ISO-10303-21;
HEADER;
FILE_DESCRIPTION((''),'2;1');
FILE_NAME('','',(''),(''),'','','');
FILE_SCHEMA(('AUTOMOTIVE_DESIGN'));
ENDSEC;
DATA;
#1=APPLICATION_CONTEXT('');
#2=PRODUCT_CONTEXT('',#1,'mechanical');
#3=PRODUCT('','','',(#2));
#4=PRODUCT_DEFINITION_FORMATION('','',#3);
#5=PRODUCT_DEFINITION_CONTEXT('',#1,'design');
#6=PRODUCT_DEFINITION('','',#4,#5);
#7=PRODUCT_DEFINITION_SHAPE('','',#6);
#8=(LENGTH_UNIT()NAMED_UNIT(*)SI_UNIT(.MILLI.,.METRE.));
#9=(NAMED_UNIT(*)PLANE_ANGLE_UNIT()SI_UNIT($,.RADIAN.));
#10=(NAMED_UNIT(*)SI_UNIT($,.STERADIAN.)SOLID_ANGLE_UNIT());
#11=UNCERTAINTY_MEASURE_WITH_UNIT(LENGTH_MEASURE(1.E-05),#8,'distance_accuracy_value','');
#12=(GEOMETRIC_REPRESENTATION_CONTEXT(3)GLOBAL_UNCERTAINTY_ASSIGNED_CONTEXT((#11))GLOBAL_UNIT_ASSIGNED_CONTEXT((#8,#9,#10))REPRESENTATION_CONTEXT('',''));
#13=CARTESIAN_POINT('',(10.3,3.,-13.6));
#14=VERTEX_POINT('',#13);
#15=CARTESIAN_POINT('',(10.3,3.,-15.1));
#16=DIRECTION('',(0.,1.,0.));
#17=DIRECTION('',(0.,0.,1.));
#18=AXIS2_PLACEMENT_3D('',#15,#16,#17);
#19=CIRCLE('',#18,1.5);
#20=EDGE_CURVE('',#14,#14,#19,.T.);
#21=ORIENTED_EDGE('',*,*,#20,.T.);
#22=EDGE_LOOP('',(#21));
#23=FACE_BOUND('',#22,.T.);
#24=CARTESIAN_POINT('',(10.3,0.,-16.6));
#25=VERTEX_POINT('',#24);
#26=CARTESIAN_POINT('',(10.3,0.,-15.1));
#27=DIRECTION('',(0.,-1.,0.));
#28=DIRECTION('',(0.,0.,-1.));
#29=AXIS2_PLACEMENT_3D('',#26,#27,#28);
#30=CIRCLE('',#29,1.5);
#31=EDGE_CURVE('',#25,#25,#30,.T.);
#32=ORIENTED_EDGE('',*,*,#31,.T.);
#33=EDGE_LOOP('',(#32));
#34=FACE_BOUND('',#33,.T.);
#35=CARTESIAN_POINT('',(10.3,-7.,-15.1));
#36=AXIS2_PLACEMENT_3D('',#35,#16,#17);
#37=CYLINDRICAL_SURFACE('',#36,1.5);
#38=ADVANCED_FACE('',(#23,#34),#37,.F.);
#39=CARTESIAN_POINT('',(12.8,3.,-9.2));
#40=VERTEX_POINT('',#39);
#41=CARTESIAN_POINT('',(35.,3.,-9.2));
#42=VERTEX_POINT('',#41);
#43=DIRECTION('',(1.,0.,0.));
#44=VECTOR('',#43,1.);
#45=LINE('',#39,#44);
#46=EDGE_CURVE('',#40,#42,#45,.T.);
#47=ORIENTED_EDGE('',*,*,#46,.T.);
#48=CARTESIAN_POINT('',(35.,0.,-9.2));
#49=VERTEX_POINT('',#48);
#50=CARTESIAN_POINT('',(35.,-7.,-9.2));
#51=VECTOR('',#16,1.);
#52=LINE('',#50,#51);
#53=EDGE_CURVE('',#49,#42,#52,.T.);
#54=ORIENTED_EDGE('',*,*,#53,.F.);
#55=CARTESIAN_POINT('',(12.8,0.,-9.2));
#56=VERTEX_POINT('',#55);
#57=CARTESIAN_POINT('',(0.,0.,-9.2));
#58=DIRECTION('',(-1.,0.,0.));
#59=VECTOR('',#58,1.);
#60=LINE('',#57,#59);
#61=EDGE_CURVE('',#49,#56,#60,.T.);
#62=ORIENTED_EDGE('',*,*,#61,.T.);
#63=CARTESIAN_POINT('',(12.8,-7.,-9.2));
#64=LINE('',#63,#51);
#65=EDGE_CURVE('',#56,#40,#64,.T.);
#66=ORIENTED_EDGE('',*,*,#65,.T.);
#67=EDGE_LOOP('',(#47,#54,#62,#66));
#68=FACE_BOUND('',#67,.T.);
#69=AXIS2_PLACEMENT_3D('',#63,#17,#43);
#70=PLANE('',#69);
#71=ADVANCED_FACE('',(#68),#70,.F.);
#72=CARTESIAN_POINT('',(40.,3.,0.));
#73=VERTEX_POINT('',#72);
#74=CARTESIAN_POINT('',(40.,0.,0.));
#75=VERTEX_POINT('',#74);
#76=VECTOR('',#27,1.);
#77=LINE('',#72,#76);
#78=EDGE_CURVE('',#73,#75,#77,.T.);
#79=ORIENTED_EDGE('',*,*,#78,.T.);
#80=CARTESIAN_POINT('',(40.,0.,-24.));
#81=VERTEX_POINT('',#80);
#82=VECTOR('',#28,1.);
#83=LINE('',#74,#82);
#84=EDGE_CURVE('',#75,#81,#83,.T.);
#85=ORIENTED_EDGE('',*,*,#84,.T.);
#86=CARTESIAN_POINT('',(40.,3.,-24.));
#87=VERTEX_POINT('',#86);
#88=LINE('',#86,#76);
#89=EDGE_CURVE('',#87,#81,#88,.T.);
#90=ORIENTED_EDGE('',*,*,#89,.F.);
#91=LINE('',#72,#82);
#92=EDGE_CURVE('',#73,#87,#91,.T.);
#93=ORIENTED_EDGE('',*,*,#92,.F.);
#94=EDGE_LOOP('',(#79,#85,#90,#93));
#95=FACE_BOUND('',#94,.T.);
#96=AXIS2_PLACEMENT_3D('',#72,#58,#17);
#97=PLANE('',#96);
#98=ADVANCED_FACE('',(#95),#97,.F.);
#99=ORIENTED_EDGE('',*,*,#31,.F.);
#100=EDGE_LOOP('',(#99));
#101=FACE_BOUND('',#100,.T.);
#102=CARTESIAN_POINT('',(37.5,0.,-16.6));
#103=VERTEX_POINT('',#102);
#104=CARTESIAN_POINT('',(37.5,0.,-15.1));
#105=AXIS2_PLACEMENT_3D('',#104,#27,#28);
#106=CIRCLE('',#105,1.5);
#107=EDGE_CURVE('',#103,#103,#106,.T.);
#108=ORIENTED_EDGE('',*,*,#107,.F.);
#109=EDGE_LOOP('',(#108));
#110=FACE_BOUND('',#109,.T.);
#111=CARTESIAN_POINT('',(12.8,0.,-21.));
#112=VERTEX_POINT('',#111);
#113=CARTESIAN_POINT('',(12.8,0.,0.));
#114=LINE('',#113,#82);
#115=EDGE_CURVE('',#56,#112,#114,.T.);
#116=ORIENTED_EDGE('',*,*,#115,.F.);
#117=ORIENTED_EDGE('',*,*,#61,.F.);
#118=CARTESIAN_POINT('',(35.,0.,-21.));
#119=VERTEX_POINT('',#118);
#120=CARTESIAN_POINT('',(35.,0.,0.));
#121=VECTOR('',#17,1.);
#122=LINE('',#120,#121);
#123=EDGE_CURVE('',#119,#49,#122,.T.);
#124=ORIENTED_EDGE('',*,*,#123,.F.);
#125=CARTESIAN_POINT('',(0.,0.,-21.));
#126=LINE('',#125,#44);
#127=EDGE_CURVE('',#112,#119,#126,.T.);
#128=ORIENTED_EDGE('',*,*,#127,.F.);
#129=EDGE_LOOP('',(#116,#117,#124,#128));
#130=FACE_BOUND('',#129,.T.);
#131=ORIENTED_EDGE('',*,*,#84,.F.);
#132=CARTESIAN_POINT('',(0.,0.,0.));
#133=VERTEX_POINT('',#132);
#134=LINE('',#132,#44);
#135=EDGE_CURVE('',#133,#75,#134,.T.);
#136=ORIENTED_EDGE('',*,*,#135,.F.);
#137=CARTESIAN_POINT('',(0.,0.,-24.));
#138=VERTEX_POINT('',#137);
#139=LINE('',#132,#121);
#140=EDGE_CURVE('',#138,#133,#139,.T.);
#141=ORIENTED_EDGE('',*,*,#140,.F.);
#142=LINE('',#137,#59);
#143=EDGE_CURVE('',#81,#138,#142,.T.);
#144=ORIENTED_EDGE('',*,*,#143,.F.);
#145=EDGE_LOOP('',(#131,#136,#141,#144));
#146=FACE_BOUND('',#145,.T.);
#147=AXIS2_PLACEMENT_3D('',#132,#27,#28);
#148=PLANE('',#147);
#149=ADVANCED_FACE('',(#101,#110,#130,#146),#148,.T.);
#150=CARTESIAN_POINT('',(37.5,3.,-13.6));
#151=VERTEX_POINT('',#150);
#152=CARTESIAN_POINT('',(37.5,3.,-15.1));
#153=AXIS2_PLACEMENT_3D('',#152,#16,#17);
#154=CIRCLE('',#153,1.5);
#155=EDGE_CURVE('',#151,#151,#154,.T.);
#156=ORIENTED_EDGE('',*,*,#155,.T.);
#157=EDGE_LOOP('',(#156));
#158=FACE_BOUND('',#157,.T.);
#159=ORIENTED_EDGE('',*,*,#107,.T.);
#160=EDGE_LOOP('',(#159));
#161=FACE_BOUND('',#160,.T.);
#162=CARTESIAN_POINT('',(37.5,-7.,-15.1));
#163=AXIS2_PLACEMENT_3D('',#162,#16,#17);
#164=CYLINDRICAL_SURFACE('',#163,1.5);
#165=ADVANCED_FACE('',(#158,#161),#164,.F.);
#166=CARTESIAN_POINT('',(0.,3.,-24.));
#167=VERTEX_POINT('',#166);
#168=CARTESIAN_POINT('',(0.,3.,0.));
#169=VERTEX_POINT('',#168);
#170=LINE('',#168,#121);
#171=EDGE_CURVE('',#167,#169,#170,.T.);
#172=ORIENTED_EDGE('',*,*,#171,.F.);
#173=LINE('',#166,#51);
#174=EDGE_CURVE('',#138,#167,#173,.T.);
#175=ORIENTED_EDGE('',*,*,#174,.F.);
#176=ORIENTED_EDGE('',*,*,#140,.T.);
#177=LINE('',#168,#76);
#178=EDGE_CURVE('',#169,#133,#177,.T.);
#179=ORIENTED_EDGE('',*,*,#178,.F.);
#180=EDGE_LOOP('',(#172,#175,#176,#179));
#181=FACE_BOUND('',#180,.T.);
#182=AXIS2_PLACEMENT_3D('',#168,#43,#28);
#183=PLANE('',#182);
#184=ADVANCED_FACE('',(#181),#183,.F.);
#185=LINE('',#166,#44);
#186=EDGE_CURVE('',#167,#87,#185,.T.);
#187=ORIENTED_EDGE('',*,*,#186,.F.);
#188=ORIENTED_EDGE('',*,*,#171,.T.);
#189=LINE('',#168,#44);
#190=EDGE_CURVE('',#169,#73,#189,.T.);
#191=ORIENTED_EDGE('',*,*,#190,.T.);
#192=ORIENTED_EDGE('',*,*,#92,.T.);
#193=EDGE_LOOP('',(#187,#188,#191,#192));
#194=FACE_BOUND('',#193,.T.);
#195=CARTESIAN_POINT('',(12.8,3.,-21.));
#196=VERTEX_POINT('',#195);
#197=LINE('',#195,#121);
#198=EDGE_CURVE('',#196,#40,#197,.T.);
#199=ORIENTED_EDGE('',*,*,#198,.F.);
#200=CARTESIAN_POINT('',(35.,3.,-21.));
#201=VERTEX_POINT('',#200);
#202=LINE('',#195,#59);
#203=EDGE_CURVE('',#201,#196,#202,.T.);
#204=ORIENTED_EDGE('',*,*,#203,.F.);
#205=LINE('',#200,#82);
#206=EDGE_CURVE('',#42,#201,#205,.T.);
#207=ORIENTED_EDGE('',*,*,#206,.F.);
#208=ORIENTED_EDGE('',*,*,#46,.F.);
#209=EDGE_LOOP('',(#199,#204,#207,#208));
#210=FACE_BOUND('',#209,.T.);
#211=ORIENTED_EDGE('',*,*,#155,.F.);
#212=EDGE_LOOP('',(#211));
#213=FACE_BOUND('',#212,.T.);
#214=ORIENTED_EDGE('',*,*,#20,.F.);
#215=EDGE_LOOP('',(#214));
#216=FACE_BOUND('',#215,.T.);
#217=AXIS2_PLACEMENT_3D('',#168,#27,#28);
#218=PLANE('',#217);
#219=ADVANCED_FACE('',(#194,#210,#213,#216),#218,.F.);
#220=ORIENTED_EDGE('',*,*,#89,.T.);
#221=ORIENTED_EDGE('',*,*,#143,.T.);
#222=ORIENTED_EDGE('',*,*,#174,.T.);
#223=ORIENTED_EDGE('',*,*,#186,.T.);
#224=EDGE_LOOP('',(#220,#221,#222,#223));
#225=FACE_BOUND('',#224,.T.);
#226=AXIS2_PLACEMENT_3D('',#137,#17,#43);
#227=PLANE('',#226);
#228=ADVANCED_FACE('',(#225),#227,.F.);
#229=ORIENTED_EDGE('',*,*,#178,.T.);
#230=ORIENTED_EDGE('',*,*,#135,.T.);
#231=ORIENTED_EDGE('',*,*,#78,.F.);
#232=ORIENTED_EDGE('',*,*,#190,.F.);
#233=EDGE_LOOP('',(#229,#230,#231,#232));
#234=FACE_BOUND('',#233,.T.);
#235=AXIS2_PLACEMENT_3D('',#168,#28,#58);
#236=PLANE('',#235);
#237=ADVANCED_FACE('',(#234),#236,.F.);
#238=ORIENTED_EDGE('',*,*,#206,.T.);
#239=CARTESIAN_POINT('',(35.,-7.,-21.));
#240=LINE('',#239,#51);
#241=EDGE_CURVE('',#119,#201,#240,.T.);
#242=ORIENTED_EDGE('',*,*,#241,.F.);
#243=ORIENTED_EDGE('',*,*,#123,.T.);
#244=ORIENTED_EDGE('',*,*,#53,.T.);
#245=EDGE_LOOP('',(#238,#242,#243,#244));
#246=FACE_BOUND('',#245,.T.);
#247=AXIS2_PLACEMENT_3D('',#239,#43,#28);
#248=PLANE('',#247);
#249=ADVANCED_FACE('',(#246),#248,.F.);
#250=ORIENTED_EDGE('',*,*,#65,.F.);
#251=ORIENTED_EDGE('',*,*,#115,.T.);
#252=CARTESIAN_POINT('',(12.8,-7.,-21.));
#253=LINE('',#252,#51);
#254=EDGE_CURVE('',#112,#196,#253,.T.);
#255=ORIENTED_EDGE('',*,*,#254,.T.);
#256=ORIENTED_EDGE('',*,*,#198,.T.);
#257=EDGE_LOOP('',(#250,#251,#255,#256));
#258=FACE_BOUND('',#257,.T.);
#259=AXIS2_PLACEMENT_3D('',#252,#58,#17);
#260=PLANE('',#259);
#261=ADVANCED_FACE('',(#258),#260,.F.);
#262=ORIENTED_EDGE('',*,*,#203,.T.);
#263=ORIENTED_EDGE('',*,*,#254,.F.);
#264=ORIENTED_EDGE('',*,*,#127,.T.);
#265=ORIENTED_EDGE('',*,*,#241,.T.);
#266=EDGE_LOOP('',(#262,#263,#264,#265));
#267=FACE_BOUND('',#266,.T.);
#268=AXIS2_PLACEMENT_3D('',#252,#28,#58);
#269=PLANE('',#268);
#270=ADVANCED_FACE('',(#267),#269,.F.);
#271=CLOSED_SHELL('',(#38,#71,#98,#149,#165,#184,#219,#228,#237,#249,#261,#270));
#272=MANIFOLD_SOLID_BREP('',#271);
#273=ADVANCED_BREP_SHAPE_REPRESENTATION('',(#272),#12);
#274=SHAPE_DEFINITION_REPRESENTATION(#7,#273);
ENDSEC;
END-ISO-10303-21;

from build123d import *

# Parameters (mm, degrees)
SKETCH1_W           = 40
SKETCH1_H           = 21
BOSS_EXTRUDE1_DEPTH = 3
SKETCH2_W           = 40
SKETCH2_H           = 3
BOSS_EXTRUDE2_DEPTH = 3
SKETCH3_W           = 22.2
SKETCH3_H           = 11.8
CUT_EXTRUDE1_DEPTH  = 10
SKETCH4_R           = 1.5
CUT_EXTRUDE2_DEPTH  = 10


with BuildPart() as part:
    # Sketch1 → Boss-Extrude1 (new body)
    with BuildSketch(Plane(origin=(0, 0, 0), x_dir=(1, 0, 0), z_dir=(0, 1, 0))):
        with Locations((20, 10.5)):
            Rectangle(SKETCH1_W, SKETCH1_H)
    extrude(amount=BOSS_EXTRUDE1_DEPTH)

    # Sketch2 → Boss-Extrude2 (add)
    with BuildSketch(Plane(origin=(0, 0, -21), x_dir=(-1, 0, 0), z_dir=(0, 0, -1))):
        with Locations((-20, 1.5)):
            Rectangle(SKETCH2_W, SKETCH2_H)
    extrude(amount=BOSS_EXTRUDE2_DEPTH)

    # Sketch3 → Cut-Extrude1 (cut)
    with BuildSketch(Plane(origin=(0, 3, 0), x_dir=(1, 0, 0), z_dir=(0, 1, 0))):
        with Locations((23.9, 15.1)):
            Rectangle(SKETCH3_W, SKETCH3_H)
    extrude(amount=-CUT_EXTRUDE1_DEPTH, mode=Mode.SUBTRACT)

    # Sketch4 → Cut-Extrude2 (cut)
    with BuildSketch(Plane(origin=(0, 3, 0), x_dir=(1, 0, 0), z_dir=(0, 1, 0))):
        with Locations(Location((10.3, 15.1, 0), (0, 0, 270))):
            Circle(SKETCH4_R)
        with Locations(Location((37.5, 15.1, 0), (0, 0, 270))):
            Circle(SKETCH4_R)
    extrude(amount=-CUT_EXTRUDE2_DEPTH, mode=Mode.SUBTRACT)


solid = part.part
